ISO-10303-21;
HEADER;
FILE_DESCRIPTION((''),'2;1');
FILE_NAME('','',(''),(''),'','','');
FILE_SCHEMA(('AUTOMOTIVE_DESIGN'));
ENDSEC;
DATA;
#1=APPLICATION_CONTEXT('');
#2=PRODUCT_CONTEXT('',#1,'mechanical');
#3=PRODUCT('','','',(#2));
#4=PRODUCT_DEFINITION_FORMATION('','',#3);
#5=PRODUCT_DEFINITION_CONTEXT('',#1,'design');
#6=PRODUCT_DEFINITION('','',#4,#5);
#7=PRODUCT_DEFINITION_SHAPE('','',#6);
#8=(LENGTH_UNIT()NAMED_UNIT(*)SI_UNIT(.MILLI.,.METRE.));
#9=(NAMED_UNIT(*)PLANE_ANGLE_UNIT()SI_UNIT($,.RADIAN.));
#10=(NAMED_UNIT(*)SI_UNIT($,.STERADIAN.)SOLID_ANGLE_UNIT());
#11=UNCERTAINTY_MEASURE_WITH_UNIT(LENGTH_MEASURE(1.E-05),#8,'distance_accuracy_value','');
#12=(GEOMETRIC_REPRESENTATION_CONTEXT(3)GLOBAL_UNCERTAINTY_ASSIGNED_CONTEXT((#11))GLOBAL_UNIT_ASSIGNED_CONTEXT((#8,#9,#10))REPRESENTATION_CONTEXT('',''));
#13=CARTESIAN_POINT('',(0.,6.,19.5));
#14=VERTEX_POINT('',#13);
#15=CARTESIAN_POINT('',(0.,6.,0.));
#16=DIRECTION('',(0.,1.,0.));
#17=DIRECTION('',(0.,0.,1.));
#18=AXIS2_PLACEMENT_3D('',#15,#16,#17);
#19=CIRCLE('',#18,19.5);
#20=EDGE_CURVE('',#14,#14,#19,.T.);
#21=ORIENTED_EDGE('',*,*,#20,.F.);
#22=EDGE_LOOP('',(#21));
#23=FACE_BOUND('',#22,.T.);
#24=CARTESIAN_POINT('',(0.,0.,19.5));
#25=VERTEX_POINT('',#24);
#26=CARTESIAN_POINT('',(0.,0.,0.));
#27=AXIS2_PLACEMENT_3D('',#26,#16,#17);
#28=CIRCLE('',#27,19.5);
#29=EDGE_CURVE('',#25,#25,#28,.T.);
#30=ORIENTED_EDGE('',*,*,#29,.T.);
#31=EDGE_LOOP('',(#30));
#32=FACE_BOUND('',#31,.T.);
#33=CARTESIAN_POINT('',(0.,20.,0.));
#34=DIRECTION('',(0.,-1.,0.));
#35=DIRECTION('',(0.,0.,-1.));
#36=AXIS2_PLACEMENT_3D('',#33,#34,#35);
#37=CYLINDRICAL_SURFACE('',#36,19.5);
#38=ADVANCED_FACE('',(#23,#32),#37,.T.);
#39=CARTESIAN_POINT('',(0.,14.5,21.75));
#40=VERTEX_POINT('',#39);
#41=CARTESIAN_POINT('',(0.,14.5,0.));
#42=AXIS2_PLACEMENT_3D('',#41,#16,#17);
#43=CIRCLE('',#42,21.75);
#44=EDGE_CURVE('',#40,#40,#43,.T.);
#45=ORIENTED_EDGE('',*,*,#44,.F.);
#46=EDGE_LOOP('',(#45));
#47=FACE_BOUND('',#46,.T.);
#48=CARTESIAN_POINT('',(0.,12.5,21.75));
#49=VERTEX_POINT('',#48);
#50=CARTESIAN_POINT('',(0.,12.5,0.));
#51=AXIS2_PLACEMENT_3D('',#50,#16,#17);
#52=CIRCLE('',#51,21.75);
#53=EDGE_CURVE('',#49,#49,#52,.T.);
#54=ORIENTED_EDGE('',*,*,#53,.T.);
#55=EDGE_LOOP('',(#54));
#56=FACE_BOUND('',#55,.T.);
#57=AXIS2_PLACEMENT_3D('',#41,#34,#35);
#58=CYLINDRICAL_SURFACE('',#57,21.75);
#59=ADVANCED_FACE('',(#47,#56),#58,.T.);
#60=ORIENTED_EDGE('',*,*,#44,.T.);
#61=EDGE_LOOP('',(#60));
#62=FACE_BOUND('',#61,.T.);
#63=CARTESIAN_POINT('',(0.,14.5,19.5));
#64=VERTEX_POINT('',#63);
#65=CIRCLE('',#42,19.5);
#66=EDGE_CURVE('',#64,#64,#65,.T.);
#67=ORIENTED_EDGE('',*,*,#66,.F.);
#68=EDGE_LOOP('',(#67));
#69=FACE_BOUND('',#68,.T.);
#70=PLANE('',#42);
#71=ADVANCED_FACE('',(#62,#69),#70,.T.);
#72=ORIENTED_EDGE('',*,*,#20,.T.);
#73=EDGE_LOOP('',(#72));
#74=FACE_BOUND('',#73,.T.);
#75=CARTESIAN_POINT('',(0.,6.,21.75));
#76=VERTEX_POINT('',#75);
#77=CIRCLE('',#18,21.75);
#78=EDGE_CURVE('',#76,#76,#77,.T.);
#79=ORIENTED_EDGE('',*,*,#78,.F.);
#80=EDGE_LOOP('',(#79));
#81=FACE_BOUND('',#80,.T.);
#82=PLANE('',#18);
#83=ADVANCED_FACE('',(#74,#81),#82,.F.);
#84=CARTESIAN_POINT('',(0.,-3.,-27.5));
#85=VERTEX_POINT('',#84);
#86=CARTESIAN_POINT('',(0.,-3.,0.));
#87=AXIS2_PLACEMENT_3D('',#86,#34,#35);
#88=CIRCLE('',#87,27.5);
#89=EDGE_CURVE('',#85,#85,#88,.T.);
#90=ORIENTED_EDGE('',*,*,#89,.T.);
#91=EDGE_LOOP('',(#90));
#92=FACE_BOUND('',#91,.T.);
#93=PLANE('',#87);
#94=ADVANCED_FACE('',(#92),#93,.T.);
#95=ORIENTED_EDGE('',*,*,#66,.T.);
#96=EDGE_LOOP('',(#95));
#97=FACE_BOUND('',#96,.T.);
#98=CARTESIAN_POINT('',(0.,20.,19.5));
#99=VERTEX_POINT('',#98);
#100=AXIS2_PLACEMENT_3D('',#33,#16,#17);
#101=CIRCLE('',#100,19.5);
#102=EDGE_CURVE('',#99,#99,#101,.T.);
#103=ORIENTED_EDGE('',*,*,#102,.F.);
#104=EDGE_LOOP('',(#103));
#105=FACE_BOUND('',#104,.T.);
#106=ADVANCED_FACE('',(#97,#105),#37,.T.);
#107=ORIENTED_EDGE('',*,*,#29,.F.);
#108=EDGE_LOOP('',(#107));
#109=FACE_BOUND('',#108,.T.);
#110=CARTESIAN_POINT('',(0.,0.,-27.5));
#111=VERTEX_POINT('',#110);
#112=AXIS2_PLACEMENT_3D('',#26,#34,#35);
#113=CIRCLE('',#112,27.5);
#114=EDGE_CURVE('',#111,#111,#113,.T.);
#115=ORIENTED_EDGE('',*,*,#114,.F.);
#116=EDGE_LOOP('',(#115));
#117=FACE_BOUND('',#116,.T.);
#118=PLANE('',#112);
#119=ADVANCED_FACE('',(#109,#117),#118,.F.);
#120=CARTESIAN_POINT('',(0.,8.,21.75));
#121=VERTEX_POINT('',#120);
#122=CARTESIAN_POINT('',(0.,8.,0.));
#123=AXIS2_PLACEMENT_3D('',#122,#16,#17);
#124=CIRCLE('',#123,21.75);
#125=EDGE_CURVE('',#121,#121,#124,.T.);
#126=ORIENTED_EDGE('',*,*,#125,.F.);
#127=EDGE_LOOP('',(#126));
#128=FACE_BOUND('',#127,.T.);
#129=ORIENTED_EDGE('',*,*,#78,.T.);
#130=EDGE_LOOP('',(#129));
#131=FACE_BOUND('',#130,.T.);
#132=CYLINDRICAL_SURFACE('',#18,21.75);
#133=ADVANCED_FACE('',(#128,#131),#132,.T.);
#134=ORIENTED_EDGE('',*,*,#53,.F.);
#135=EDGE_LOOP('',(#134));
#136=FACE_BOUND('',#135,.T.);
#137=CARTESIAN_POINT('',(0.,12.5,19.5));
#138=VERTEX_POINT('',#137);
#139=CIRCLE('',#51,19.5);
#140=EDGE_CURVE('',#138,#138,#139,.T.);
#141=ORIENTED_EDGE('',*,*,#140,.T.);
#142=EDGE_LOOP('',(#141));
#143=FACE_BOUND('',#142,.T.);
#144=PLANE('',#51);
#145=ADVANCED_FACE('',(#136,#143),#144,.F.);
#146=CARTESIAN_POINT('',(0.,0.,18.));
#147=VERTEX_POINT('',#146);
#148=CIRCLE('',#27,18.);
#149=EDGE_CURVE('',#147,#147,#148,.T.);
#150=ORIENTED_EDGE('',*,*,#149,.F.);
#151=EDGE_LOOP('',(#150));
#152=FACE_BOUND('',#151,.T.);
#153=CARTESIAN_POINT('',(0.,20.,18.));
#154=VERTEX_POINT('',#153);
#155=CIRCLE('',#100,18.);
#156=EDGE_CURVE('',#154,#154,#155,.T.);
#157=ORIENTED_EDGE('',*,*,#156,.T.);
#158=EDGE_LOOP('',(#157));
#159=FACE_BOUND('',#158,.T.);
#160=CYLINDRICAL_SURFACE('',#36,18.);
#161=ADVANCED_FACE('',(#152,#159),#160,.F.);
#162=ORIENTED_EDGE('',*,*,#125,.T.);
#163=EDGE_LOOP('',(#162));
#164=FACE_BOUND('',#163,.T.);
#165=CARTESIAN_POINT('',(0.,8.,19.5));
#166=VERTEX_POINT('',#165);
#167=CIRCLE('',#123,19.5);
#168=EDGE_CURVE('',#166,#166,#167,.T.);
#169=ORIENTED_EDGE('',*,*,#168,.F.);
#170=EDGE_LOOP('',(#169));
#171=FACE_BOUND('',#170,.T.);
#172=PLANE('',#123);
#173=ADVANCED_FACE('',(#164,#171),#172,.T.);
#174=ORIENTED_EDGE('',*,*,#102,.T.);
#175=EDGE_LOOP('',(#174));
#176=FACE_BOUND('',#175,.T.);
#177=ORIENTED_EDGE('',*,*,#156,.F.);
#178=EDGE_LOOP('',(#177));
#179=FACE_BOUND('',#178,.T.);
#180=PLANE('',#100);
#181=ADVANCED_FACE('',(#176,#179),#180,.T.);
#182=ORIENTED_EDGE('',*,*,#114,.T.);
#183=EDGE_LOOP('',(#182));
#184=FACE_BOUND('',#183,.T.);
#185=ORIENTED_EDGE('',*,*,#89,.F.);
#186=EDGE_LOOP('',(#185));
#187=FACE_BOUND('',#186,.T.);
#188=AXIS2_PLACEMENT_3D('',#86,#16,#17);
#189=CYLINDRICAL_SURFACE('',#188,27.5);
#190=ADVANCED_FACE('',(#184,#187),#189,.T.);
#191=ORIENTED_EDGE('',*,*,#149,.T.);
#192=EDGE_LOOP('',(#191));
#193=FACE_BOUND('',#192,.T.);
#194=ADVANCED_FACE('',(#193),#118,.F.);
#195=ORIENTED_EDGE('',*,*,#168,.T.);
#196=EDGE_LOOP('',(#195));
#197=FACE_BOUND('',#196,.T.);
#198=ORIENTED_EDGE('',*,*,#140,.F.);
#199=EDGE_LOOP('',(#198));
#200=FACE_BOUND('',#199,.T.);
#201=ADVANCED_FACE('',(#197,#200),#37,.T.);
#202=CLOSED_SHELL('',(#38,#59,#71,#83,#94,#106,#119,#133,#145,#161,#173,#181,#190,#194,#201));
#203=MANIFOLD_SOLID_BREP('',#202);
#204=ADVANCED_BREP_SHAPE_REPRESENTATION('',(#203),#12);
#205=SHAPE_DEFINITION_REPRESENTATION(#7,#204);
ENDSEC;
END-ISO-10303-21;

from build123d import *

# Parameters (mm, degrees)
SKETCH_1_R          = 19.5
SKETCH_1_R_2        = 18
EXTRUDE_1_DEPTH     = 20
SKETCH_3_R          = 27.5
EXTRUDE_2_DEPTH     = 3
SKETCH_4_R          = 21.75
EXTRUDE_3_DEPTH     = 2
EXTRUDE_START       = 1
SKETCH_8_R          = 21.75
EXTRUDE_4_DEPTH     = 2
SKETCH_6_R          = 18
CUT_EXTRUDE_1_DEPTH = 35


with BuildPart() as part:
    # 草圖1 → 填料-伸長1 (new body)
    with BuildSketch(Plane(origin=(0, 0, 0), x_dir=(1, 0, 0), z_dir=(0, 1, 0))):
        Circle(SKETCH_1_R)
        Circle(SKETCH_1_R_2, mode=Mode.SUBTRACT)
    extrude(amount=EXTRUDE_1_DEPTH)

    # 草圖3 → 填料-伸長2 (add)
    with BuildSketch(Plane.XZ):
        Circle(SKETCH_3_R)
    extrude(amount=EXTRUDE_2_DEPTH)

    # 草圖4 → 填料-伸長3 (add)
    with BuildSketch(Plane(origin=(0, 8, 0), x_dir=(1, 0, 0), z_dir=(0, 1, 0))):
        Circle(SKETCH_4_R)
    extrude(amount=-EXTRUDE_3_DEPTH)

    # 草圖8 → 填料-伸長4 (add)
    with BuildSketch(Plane(origin=(0, 11.5, 0), x_dir=(1, 0, 0), z_dir=(0, 1, 0)).offset(EXTRUDE_START)):
        Circle(SKETCH_8_R)
    extrude(amount=EXTRUDE_4_DEPTH)

    # 草圖6 → 除料-伸長1 (cut)
    with BuildSketch(Plane(origin=(0, 0, 0), x_dir=(1, 0, 0), z_dir=(0, 1, 0))):
        Circle(SKETCH_6_R)
    extrude(amount=CUT_EXTRUDE_1_DEPTH, mode=Mode.SUBTRACT)


solid = part.part
